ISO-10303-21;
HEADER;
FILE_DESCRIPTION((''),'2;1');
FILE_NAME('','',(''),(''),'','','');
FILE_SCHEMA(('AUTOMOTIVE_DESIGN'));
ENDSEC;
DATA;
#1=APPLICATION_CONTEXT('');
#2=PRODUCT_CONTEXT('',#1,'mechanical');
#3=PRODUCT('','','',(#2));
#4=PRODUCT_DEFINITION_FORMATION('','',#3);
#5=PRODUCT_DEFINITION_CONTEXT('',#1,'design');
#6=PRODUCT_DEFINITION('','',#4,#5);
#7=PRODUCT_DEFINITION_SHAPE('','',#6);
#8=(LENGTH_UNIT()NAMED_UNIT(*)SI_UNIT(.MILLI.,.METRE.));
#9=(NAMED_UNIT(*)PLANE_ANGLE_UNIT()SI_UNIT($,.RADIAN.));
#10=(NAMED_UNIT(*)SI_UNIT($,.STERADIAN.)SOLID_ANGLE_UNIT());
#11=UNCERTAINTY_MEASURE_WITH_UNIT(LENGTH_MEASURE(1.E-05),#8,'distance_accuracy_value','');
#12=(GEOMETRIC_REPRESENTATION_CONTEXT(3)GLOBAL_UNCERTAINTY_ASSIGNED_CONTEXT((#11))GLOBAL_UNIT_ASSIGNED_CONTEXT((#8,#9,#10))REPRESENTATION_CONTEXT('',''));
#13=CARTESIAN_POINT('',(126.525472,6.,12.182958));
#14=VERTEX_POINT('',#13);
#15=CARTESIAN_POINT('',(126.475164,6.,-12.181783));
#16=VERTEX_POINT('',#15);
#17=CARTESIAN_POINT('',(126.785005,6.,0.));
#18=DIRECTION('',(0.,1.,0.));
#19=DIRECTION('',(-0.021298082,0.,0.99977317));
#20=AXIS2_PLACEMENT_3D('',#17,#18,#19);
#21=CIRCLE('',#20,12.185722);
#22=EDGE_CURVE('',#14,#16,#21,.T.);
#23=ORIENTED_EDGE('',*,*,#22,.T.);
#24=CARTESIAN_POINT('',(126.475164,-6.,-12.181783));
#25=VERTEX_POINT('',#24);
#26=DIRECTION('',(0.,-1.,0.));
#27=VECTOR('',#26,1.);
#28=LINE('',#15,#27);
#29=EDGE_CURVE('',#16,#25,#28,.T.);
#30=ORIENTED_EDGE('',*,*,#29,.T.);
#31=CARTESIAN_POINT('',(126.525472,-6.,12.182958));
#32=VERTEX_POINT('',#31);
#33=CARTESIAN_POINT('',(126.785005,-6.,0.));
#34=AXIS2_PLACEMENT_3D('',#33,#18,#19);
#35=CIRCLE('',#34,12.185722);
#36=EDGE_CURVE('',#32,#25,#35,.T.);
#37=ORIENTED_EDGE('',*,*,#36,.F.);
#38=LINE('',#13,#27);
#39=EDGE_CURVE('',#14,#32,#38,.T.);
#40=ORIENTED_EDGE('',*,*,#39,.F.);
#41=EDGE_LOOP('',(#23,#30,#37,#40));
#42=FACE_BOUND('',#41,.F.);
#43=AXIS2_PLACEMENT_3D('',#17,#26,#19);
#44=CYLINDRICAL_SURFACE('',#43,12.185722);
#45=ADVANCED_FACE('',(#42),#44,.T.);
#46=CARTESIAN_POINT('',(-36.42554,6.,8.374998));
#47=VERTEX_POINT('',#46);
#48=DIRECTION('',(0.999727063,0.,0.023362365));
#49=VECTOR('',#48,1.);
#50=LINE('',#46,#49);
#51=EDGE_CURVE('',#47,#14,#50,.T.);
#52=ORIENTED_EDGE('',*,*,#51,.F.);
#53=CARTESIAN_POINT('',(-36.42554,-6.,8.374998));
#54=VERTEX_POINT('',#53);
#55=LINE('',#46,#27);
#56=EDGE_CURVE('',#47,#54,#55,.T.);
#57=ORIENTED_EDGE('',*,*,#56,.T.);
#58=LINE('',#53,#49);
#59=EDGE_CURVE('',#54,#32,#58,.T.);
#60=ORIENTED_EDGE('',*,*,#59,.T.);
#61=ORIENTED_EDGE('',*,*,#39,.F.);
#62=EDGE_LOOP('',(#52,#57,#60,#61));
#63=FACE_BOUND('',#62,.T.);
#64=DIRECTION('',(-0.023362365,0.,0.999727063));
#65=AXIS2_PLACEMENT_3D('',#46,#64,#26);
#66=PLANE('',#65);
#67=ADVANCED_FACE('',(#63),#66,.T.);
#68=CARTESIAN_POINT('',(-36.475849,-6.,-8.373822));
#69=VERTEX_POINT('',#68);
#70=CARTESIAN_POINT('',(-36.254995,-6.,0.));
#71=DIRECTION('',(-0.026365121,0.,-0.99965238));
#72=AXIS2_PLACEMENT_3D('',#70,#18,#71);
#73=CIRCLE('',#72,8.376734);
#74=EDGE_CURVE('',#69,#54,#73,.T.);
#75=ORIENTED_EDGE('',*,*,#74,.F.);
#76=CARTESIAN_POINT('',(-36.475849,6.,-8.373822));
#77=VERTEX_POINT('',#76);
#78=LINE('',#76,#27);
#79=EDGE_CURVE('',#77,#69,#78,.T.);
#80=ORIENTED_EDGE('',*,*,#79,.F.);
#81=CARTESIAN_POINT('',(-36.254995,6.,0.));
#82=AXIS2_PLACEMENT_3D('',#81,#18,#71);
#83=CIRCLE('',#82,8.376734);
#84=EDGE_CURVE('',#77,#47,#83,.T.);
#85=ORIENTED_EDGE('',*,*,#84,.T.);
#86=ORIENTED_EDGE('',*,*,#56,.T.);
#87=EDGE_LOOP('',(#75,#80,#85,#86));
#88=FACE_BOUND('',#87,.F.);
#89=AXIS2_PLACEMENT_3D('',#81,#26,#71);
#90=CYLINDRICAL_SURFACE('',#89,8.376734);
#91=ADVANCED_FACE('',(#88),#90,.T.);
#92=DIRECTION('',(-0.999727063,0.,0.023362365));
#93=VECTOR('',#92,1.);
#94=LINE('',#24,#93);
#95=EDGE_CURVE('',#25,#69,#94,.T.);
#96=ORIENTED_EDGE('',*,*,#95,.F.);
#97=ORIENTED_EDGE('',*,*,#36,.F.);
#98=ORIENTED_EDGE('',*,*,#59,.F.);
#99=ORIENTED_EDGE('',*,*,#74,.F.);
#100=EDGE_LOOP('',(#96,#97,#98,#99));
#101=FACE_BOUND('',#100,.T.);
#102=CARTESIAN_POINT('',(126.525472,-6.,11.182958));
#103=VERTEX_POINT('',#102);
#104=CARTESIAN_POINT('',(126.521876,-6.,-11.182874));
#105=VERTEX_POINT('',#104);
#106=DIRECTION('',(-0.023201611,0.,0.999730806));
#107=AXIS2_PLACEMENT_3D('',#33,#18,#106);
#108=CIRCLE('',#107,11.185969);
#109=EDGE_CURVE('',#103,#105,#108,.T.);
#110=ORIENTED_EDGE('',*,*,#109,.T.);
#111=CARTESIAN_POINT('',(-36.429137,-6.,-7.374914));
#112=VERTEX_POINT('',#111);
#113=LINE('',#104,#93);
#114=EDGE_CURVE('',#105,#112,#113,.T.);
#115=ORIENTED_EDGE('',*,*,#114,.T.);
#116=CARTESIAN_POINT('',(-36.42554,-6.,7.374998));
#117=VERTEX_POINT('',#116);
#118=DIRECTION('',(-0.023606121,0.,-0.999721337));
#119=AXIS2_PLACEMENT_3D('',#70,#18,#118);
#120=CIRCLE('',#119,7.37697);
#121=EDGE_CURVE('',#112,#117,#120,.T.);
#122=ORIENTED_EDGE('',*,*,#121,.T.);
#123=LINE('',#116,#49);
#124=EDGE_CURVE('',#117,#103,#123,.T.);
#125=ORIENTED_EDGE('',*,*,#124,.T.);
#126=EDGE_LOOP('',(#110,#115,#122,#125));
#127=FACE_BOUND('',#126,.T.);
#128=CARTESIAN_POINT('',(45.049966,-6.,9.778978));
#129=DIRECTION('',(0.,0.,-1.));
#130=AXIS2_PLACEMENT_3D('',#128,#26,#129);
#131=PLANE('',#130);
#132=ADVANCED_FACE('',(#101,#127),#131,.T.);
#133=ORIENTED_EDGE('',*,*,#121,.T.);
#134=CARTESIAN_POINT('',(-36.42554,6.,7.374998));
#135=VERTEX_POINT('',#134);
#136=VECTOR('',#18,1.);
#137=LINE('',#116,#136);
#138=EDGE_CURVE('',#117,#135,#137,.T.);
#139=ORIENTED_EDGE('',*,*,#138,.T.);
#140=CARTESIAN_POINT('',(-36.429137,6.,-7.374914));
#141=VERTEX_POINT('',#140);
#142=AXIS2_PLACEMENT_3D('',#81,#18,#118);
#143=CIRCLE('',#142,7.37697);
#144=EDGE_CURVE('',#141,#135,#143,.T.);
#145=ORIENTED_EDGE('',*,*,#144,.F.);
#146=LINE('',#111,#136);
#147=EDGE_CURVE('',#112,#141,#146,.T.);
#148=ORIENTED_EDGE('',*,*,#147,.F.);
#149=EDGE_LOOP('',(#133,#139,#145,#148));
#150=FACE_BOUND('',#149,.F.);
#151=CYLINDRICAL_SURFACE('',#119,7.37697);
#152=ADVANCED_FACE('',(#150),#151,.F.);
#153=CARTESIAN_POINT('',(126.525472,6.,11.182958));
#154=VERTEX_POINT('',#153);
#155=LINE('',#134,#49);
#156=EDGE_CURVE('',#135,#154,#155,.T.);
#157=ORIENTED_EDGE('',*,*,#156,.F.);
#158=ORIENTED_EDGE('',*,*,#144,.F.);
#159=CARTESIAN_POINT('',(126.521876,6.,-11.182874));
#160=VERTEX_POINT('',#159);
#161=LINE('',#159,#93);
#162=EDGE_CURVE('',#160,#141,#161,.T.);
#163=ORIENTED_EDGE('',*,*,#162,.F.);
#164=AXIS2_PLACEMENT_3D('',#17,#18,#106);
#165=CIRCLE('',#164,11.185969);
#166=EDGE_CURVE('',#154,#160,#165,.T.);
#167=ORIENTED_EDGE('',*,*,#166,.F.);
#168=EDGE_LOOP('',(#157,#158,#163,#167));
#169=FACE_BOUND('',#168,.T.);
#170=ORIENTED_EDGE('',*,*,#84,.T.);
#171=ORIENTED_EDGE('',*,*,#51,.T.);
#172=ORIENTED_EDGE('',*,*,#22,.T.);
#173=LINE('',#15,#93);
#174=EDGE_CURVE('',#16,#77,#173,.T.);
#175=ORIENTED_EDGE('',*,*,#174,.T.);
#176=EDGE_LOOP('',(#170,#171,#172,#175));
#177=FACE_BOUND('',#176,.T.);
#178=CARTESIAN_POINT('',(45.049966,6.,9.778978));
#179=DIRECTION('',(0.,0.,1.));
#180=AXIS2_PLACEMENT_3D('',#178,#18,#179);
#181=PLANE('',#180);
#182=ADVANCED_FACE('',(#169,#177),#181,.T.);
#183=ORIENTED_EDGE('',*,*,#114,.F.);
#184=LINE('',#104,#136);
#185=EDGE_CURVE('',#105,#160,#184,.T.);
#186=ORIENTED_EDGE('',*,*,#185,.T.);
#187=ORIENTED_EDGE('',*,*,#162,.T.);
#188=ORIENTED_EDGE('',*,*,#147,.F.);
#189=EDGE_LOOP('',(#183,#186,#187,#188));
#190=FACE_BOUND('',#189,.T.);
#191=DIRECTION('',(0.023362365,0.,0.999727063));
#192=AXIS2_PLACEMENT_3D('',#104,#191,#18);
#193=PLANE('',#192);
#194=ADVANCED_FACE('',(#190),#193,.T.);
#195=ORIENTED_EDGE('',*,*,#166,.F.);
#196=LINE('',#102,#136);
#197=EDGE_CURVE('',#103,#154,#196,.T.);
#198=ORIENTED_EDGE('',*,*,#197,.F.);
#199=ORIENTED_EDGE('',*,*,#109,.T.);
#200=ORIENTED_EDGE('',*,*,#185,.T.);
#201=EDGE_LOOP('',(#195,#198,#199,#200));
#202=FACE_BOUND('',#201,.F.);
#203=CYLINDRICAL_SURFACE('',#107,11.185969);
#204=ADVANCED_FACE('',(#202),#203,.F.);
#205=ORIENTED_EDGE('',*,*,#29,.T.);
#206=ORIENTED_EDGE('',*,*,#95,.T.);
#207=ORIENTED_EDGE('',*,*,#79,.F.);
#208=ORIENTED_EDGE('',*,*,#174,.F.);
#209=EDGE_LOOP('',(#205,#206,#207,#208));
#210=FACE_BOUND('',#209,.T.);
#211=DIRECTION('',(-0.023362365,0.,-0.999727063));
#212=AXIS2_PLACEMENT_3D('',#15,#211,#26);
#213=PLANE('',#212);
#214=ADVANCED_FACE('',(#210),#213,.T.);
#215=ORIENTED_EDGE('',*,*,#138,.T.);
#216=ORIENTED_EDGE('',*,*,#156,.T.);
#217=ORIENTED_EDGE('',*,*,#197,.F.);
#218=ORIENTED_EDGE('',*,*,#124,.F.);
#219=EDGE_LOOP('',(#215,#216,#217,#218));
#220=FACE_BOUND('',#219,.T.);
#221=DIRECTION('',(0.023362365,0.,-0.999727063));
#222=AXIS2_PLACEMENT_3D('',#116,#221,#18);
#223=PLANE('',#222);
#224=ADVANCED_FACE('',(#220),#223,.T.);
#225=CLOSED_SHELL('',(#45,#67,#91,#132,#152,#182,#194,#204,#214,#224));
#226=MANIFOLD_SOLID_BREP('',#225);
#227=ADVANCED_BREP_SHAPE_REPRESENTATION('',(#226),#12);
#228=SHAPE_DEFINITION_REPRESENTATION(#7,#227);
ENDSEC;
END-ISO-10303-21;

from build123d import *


with BuildPart() as f3:
    # F3: sweep along a path in F0
    with BuildLine(Plane.XZ) as f3_path:
        Line((-36.4255404949, 7.2980075577), (126.5254722566, 11.1059679396))
        ThreePointArc((126.5254722566, 11.1059679396), (137.8940047701, 0), (126.5254722566, -11.1059679396))
        Line((126.5254722566, -11.1059679396), (-36.4255404949, -7.2980075577))
        ThreePointArc((-36.4255404949, -7.2980075577), (-43.5549952299, 0), (-36.4255404949, 7.2980075577))
    # F2 (on plane+point) → F3 (sweep)
    with BuildSketch(Plane.YZ.offset(126.5254722566)):
        Polygon((-6, 11.1829582602), (0, 11.1829582602), (6, 11.1829582602), (6, 12.1829582602), (0, 12.1829582602), (-6, 12.1829582602), align=None)
    sweep(path=f3_path.line)


solid = f3.part
